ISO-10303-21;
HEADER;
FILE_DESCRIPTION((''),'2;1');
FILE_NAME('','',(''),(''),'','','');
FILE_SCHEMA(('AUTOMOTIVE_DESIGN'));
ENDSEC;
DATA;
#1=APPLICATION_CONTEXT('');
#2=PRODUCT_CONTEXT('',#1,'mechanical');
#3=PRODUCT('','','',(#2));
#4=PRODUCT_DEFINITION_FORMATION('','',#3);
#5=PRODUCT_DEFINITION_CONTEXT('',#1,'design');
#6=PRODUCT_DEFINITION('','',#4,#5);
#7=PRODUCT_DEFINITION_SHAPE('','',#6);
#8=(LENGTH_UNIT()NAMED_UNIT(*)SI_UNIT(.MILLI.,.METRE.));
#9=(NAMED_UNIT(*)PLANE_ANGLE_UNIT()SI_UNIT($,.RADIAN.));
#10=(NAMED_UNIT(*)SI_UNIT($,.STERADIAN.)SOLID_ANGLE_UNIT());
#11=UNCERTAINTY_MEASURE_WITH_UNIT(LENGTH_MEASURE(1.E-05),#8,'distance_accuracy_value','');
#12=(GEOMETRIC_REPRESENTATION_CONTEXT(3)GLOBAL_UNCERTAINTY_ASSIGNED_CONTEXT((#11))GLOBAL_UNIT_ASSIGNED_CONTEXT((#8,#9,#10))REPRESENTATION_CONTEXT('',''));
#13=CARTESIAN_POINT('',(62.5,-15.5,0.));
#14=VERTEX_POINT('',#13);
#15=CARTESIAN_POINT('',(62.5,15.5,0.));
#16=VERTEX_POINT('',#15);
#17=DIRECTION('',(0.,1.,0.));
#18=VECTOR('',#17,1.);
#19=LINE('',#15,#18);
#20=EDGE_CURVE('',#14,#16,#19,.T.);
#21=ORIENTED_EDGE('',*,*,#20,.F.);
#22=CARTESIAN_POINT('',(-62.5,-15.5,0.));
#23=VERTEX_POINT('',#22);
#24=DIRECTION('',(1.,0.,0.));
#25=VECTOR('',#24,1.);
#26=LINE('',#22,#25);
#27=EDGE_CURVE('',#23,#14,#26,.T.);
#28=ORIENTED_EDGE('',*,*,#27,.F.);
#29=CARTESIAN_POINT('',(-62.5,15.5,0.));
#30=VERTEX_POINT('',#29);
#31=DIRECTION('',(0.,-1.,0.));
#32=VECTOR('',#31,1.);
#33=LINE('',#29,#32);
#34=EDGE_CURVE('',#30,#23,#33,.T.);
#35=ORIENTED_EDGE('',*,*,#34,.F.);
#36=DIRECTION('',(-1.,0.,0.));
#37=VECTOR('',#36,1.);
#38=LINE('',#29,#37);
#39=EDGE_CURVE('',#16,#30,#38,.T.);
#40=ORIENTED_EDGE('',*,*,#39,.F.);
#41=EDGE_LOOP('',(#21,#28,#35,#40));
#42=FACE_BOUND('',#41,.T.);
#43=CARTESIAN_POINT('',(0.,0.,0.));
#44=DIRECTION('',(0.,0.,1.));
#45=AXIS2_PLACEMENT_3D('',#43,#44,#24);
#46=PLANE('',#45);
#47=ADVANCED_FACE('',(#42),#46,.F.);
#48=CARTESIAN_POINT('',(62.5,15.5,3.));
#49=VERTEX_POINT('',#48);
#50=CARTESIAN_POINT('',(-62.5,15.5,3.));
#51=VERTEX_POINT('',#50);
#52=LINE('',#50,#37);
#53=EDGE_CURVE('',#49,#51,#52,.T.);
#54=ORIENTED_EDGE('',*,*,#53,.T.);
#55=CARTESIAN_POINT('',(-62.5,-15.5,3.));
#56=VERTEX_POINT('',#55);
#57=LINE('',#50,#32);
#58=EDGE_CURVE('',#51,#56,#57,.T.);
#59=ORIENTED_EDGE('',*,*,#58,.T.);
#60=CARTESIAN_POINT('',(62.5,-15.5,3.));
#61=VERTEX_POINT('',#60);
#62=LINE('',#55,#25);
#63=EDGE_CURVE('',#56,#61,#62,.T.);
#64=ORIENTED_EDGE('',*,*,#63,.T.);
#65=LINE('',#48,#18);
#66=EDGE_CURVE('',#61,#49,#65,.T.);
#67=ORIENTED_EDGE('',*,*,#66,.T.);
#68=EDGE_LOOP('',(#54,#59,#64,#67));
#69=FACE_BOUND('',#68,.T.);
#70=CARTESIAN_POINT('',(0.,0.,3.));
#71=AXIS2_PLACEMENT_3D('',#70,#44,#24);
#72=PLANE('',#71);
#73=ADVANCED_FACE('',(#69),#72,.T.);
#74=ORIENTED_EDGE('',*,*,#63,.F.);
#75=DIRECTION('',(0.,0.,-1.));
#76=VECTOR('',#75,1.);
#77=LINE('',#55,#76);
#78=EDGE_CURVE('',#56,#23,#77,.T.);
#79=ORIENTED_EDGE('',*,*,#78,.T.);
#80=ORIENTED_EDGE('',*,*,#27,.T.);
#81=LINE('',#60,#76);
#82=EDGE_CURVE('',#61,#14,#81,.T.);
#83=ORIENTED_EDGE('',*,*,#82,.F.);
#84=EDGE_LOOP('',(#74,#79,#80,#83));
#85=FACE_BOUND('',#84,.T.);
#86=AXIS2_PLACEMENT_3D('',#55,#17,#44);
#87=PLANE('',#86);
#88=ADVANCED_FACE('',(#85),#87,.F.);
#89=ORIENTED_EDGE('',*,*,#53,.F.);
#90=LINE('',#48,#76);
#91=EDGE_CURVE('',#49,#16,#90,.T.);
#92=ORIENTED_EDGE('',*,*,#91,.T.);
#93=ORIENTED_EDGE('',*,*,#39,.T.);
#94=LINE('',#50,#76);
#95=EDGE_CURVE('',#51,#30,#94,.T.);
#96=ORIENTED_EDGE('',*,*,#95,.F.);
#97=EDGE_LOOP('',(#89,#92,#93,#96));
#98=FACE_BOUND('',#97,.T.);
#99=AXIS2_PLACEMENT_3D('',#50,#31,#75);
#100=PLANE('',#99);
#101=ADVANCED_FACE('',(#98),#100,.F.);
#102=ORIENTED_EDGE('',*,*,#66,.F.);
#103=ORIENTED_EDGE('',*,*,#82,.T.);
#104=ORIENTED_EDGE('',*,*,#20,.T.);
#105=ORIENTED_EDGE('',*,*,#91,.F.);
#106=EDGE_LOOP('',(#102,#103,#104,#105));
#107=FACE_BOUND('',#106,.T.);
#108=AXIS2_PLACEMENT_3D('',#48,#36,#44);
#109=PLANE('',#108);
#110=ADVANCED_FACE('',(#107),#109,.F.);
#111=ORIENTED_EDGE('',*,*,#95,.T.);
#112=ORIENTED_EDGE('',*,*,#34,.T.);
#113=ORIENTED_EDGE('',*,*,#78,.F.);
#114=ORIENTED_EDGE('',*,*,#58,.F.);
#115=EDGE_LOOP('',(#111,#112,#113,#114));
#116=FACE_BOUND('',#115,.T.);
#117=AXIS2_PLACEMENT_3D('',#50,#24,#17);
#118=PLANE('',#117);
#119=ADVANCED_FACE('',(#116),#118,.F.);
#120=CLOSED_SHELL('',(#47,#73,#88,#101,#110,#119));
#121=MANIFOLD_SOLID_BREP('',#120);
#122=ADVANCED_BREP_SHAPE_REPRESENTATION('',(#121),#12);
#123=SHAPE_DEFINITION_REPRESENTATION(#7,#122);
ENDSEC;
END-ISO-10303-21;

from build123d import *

# Parameters (mm, degrees)
ESQUISSE1_W        = 125
ESQUISSE1_H        = 31
BOSS_EXTRU_1_DEPTH = 3


with BuildPart() as part:
    # Esquisse1 → Boss.-Extru.1 (new body)
    with BuildSketch(Plane.XY):
        Rectangle(ESQUISSE1_W, ESQUISSE1_H)
    extrude(amount=BOSS_EXTRU_1_DEPTH)


solid = part.part
